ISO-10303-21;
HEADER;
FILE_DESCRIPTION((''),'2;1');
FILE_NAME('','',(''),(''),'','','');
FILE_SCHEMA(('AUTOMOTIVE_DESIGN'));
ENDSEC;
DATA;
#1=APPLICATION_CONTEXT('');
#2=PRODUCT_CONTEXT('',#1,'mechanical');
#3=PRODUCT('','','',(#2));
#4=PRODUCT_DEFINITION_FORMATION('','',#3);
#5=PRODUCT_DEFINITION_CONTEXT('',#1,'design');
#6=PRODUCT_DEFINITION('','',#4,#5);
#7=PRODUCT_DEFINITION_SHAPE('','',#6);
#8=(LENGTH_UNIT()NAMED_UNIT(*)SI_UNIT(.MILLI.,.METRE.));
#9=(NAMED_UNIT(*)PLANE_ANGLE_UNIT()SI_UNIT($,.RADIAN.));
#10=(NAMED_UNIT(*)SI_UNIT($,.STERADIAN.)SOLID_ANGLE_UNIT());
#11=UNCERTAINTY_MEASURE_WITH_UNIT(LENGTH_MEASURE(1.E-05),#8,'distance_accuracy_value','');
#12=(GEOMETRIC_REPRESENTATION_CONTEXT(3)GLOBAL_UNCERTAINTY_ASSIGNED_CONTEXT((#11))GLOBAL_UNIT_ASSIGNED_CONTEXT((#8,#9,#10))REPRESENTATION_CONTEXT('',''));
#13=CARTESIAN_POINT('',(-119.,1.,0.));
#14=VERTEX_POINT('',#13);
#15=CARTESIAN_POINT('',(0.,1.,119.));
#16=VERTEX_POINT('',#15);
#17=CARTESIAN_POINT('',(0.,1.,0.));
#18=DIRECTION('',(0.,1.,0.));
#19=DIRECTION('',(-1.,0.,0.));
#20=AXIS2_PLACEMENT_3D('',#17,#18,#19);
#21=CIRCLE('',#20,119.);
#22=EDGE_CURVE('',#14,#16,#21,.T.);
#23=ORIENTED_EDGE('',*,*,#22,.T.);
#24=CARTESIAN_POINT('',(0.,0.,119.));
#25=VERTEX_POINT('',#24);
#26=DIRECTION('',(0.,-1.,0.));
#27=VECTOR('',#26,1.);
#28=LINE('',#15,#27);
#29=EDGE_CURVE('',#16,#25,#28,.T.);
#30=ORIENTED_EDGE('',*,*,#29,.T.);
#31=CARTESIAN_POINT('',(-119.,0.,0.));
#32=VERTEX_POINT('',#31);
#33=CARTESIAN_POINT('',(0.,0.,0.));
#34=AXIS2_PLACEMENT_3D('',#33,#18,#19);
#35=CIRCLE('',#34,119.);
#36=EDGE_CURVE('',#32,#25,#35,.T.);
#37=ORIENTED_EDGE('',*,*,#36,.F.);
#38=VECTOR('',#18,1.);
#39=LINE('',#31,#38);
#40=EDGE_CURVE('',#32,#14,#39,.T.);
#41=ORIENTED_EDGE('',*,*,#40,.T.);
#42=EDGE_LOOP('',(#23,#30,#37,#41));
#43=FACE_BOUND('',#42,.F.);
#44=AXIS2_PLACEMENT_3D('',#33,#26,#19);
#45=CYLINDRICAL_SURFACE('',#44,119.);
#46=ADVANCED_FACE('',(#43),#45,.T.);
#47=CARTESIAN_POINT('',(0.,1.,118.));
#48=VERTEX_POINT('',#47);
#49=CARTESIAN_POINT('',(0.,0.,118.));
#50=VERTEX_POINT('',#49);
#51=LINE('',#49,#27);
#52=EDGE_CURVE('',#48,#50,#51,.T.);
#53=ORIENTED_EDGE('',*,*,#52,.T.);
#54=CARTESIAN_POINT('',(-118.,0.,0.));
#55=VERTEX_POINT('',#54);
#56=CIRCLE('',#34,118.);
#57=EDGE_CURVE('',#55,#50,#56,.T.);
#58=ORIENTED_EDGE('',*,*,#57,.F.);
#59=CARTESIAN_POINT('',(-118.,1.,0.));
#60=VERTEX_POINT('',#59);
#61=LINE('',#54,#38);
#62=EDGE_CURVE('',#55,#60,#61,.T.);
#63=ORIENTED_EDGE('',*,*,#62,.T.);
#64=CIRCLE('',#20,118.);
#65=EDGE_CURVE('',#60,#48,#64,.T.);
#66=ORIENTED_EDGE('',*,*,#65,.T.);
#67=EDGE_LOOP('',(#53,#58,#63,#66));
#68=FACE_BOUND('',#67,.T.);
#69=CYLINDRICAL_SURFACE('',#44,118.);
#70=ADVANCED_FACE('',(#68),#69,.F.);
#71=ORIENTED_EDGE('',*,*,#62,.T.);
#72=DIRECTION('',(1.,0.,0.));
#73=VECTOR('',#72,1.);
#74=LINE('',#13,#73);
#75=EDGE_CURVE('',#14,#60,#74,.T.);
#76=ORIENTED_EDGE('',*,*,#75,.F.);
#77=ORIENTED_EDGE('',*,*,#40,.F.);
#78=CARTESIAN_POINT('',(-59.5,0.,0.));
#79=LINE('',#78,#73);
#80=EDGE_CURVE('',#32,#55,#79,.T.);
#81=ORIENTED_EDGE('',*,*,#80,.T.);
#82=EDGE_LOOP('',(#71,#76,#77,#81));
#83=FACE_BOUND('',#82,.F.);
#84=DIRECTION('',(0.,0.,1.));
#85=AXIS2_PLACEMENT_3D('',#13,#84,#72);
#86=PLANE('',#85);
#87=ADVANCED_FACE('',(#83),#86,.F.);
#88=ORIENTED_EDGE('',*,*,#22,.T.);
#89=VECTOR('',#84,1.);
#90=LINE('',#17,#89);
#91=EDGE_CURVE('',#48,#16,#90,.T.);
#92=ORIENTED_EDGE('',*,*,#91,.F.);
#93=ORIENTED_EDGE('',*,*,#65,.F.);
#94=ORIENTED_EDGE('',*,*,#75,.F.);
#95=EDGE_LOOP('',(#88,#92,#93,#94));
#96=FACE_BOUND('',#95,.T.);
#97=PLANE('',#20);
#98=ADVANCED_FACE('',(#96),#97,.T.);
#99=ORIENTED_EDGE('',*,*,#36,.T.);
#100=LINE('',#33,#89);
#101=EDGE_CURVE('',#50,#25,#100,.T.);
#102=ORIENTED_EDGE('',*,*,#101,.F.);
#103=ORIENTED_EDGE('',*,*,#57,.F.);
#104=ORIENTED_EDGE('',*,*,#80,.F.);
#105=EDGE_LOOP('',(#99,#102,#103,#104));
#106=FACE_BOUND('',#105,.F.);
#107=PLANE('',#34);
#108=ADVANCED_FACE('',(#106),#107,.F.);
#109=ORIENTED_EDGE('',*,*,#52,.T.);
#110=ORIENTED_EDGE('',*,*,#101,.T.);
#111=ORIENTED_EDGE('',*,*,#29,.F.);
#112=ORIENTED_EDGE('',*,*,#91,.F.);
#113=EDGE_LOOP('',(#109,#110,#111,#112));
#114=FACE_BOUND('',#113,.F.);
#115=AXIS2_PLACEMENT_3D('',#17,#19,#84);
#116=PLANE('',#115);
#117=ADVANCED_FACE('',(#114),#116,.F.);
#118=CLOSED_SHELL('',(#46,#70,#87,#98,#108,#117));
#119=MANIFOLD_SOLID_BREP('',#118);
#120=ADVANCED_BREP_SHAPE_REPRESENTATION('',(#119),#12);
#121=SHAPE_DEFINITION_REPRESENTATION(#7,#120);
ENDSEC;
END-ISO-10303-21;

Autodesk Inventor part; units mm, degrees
ref_plane "YZ Plane" through (0, 0, 0) normal (1, 0, 0) x (0, 1, 0)
ref_plane "XZ Plane" through (0, 0, 0) normal (0, 1, 0) x (-1, 0, 0)
ref_plane "XY Plane" through (0, 0, 0) normal (0, 0, 1) x (1, 0, 0)
sketch "Sketch1" plane through (0, 0, 0) normal (0, 1, 0) x (-1, 0, 0)
  circle A0 centre (0, 0) radius 118
  circle A1 centre (0, 0) radius 119
  dimension "d0" = 236
  dimension "d1" = 1
extrude "Extrusion1" add sketch "Sketch1" along normal blind 1
sketch "Sketch2" plane through (0, 1, 0) normal (0, 1, 0) x (1, 0, 0)
  circle A0 centre (0, 0) radius 119 construction
  line L0 (0, -119) -> (-119, -119)
  line L1 (-119, -119) -> (-119, 0)
  line L2 (-119, 0) -> (0, 0)
  line L3 (0, 0) -> (0, -119)
  line L4 (-119, -119) -> (127.2193, -119)
  line L5 (127.2193, -119) -> (127.2193, 155.2075)
  line L6 (127.2193, 155.2075) -> (-119, 155.2075)
  line L7 (-119, 155.2075) -> (-119, -119)
extrude "Extrusion2" cut sketch "Sketch2" along normal through all both and the other way through all contours L3 L2 L7 L6 L5 L4
properties part number "test_ring"
